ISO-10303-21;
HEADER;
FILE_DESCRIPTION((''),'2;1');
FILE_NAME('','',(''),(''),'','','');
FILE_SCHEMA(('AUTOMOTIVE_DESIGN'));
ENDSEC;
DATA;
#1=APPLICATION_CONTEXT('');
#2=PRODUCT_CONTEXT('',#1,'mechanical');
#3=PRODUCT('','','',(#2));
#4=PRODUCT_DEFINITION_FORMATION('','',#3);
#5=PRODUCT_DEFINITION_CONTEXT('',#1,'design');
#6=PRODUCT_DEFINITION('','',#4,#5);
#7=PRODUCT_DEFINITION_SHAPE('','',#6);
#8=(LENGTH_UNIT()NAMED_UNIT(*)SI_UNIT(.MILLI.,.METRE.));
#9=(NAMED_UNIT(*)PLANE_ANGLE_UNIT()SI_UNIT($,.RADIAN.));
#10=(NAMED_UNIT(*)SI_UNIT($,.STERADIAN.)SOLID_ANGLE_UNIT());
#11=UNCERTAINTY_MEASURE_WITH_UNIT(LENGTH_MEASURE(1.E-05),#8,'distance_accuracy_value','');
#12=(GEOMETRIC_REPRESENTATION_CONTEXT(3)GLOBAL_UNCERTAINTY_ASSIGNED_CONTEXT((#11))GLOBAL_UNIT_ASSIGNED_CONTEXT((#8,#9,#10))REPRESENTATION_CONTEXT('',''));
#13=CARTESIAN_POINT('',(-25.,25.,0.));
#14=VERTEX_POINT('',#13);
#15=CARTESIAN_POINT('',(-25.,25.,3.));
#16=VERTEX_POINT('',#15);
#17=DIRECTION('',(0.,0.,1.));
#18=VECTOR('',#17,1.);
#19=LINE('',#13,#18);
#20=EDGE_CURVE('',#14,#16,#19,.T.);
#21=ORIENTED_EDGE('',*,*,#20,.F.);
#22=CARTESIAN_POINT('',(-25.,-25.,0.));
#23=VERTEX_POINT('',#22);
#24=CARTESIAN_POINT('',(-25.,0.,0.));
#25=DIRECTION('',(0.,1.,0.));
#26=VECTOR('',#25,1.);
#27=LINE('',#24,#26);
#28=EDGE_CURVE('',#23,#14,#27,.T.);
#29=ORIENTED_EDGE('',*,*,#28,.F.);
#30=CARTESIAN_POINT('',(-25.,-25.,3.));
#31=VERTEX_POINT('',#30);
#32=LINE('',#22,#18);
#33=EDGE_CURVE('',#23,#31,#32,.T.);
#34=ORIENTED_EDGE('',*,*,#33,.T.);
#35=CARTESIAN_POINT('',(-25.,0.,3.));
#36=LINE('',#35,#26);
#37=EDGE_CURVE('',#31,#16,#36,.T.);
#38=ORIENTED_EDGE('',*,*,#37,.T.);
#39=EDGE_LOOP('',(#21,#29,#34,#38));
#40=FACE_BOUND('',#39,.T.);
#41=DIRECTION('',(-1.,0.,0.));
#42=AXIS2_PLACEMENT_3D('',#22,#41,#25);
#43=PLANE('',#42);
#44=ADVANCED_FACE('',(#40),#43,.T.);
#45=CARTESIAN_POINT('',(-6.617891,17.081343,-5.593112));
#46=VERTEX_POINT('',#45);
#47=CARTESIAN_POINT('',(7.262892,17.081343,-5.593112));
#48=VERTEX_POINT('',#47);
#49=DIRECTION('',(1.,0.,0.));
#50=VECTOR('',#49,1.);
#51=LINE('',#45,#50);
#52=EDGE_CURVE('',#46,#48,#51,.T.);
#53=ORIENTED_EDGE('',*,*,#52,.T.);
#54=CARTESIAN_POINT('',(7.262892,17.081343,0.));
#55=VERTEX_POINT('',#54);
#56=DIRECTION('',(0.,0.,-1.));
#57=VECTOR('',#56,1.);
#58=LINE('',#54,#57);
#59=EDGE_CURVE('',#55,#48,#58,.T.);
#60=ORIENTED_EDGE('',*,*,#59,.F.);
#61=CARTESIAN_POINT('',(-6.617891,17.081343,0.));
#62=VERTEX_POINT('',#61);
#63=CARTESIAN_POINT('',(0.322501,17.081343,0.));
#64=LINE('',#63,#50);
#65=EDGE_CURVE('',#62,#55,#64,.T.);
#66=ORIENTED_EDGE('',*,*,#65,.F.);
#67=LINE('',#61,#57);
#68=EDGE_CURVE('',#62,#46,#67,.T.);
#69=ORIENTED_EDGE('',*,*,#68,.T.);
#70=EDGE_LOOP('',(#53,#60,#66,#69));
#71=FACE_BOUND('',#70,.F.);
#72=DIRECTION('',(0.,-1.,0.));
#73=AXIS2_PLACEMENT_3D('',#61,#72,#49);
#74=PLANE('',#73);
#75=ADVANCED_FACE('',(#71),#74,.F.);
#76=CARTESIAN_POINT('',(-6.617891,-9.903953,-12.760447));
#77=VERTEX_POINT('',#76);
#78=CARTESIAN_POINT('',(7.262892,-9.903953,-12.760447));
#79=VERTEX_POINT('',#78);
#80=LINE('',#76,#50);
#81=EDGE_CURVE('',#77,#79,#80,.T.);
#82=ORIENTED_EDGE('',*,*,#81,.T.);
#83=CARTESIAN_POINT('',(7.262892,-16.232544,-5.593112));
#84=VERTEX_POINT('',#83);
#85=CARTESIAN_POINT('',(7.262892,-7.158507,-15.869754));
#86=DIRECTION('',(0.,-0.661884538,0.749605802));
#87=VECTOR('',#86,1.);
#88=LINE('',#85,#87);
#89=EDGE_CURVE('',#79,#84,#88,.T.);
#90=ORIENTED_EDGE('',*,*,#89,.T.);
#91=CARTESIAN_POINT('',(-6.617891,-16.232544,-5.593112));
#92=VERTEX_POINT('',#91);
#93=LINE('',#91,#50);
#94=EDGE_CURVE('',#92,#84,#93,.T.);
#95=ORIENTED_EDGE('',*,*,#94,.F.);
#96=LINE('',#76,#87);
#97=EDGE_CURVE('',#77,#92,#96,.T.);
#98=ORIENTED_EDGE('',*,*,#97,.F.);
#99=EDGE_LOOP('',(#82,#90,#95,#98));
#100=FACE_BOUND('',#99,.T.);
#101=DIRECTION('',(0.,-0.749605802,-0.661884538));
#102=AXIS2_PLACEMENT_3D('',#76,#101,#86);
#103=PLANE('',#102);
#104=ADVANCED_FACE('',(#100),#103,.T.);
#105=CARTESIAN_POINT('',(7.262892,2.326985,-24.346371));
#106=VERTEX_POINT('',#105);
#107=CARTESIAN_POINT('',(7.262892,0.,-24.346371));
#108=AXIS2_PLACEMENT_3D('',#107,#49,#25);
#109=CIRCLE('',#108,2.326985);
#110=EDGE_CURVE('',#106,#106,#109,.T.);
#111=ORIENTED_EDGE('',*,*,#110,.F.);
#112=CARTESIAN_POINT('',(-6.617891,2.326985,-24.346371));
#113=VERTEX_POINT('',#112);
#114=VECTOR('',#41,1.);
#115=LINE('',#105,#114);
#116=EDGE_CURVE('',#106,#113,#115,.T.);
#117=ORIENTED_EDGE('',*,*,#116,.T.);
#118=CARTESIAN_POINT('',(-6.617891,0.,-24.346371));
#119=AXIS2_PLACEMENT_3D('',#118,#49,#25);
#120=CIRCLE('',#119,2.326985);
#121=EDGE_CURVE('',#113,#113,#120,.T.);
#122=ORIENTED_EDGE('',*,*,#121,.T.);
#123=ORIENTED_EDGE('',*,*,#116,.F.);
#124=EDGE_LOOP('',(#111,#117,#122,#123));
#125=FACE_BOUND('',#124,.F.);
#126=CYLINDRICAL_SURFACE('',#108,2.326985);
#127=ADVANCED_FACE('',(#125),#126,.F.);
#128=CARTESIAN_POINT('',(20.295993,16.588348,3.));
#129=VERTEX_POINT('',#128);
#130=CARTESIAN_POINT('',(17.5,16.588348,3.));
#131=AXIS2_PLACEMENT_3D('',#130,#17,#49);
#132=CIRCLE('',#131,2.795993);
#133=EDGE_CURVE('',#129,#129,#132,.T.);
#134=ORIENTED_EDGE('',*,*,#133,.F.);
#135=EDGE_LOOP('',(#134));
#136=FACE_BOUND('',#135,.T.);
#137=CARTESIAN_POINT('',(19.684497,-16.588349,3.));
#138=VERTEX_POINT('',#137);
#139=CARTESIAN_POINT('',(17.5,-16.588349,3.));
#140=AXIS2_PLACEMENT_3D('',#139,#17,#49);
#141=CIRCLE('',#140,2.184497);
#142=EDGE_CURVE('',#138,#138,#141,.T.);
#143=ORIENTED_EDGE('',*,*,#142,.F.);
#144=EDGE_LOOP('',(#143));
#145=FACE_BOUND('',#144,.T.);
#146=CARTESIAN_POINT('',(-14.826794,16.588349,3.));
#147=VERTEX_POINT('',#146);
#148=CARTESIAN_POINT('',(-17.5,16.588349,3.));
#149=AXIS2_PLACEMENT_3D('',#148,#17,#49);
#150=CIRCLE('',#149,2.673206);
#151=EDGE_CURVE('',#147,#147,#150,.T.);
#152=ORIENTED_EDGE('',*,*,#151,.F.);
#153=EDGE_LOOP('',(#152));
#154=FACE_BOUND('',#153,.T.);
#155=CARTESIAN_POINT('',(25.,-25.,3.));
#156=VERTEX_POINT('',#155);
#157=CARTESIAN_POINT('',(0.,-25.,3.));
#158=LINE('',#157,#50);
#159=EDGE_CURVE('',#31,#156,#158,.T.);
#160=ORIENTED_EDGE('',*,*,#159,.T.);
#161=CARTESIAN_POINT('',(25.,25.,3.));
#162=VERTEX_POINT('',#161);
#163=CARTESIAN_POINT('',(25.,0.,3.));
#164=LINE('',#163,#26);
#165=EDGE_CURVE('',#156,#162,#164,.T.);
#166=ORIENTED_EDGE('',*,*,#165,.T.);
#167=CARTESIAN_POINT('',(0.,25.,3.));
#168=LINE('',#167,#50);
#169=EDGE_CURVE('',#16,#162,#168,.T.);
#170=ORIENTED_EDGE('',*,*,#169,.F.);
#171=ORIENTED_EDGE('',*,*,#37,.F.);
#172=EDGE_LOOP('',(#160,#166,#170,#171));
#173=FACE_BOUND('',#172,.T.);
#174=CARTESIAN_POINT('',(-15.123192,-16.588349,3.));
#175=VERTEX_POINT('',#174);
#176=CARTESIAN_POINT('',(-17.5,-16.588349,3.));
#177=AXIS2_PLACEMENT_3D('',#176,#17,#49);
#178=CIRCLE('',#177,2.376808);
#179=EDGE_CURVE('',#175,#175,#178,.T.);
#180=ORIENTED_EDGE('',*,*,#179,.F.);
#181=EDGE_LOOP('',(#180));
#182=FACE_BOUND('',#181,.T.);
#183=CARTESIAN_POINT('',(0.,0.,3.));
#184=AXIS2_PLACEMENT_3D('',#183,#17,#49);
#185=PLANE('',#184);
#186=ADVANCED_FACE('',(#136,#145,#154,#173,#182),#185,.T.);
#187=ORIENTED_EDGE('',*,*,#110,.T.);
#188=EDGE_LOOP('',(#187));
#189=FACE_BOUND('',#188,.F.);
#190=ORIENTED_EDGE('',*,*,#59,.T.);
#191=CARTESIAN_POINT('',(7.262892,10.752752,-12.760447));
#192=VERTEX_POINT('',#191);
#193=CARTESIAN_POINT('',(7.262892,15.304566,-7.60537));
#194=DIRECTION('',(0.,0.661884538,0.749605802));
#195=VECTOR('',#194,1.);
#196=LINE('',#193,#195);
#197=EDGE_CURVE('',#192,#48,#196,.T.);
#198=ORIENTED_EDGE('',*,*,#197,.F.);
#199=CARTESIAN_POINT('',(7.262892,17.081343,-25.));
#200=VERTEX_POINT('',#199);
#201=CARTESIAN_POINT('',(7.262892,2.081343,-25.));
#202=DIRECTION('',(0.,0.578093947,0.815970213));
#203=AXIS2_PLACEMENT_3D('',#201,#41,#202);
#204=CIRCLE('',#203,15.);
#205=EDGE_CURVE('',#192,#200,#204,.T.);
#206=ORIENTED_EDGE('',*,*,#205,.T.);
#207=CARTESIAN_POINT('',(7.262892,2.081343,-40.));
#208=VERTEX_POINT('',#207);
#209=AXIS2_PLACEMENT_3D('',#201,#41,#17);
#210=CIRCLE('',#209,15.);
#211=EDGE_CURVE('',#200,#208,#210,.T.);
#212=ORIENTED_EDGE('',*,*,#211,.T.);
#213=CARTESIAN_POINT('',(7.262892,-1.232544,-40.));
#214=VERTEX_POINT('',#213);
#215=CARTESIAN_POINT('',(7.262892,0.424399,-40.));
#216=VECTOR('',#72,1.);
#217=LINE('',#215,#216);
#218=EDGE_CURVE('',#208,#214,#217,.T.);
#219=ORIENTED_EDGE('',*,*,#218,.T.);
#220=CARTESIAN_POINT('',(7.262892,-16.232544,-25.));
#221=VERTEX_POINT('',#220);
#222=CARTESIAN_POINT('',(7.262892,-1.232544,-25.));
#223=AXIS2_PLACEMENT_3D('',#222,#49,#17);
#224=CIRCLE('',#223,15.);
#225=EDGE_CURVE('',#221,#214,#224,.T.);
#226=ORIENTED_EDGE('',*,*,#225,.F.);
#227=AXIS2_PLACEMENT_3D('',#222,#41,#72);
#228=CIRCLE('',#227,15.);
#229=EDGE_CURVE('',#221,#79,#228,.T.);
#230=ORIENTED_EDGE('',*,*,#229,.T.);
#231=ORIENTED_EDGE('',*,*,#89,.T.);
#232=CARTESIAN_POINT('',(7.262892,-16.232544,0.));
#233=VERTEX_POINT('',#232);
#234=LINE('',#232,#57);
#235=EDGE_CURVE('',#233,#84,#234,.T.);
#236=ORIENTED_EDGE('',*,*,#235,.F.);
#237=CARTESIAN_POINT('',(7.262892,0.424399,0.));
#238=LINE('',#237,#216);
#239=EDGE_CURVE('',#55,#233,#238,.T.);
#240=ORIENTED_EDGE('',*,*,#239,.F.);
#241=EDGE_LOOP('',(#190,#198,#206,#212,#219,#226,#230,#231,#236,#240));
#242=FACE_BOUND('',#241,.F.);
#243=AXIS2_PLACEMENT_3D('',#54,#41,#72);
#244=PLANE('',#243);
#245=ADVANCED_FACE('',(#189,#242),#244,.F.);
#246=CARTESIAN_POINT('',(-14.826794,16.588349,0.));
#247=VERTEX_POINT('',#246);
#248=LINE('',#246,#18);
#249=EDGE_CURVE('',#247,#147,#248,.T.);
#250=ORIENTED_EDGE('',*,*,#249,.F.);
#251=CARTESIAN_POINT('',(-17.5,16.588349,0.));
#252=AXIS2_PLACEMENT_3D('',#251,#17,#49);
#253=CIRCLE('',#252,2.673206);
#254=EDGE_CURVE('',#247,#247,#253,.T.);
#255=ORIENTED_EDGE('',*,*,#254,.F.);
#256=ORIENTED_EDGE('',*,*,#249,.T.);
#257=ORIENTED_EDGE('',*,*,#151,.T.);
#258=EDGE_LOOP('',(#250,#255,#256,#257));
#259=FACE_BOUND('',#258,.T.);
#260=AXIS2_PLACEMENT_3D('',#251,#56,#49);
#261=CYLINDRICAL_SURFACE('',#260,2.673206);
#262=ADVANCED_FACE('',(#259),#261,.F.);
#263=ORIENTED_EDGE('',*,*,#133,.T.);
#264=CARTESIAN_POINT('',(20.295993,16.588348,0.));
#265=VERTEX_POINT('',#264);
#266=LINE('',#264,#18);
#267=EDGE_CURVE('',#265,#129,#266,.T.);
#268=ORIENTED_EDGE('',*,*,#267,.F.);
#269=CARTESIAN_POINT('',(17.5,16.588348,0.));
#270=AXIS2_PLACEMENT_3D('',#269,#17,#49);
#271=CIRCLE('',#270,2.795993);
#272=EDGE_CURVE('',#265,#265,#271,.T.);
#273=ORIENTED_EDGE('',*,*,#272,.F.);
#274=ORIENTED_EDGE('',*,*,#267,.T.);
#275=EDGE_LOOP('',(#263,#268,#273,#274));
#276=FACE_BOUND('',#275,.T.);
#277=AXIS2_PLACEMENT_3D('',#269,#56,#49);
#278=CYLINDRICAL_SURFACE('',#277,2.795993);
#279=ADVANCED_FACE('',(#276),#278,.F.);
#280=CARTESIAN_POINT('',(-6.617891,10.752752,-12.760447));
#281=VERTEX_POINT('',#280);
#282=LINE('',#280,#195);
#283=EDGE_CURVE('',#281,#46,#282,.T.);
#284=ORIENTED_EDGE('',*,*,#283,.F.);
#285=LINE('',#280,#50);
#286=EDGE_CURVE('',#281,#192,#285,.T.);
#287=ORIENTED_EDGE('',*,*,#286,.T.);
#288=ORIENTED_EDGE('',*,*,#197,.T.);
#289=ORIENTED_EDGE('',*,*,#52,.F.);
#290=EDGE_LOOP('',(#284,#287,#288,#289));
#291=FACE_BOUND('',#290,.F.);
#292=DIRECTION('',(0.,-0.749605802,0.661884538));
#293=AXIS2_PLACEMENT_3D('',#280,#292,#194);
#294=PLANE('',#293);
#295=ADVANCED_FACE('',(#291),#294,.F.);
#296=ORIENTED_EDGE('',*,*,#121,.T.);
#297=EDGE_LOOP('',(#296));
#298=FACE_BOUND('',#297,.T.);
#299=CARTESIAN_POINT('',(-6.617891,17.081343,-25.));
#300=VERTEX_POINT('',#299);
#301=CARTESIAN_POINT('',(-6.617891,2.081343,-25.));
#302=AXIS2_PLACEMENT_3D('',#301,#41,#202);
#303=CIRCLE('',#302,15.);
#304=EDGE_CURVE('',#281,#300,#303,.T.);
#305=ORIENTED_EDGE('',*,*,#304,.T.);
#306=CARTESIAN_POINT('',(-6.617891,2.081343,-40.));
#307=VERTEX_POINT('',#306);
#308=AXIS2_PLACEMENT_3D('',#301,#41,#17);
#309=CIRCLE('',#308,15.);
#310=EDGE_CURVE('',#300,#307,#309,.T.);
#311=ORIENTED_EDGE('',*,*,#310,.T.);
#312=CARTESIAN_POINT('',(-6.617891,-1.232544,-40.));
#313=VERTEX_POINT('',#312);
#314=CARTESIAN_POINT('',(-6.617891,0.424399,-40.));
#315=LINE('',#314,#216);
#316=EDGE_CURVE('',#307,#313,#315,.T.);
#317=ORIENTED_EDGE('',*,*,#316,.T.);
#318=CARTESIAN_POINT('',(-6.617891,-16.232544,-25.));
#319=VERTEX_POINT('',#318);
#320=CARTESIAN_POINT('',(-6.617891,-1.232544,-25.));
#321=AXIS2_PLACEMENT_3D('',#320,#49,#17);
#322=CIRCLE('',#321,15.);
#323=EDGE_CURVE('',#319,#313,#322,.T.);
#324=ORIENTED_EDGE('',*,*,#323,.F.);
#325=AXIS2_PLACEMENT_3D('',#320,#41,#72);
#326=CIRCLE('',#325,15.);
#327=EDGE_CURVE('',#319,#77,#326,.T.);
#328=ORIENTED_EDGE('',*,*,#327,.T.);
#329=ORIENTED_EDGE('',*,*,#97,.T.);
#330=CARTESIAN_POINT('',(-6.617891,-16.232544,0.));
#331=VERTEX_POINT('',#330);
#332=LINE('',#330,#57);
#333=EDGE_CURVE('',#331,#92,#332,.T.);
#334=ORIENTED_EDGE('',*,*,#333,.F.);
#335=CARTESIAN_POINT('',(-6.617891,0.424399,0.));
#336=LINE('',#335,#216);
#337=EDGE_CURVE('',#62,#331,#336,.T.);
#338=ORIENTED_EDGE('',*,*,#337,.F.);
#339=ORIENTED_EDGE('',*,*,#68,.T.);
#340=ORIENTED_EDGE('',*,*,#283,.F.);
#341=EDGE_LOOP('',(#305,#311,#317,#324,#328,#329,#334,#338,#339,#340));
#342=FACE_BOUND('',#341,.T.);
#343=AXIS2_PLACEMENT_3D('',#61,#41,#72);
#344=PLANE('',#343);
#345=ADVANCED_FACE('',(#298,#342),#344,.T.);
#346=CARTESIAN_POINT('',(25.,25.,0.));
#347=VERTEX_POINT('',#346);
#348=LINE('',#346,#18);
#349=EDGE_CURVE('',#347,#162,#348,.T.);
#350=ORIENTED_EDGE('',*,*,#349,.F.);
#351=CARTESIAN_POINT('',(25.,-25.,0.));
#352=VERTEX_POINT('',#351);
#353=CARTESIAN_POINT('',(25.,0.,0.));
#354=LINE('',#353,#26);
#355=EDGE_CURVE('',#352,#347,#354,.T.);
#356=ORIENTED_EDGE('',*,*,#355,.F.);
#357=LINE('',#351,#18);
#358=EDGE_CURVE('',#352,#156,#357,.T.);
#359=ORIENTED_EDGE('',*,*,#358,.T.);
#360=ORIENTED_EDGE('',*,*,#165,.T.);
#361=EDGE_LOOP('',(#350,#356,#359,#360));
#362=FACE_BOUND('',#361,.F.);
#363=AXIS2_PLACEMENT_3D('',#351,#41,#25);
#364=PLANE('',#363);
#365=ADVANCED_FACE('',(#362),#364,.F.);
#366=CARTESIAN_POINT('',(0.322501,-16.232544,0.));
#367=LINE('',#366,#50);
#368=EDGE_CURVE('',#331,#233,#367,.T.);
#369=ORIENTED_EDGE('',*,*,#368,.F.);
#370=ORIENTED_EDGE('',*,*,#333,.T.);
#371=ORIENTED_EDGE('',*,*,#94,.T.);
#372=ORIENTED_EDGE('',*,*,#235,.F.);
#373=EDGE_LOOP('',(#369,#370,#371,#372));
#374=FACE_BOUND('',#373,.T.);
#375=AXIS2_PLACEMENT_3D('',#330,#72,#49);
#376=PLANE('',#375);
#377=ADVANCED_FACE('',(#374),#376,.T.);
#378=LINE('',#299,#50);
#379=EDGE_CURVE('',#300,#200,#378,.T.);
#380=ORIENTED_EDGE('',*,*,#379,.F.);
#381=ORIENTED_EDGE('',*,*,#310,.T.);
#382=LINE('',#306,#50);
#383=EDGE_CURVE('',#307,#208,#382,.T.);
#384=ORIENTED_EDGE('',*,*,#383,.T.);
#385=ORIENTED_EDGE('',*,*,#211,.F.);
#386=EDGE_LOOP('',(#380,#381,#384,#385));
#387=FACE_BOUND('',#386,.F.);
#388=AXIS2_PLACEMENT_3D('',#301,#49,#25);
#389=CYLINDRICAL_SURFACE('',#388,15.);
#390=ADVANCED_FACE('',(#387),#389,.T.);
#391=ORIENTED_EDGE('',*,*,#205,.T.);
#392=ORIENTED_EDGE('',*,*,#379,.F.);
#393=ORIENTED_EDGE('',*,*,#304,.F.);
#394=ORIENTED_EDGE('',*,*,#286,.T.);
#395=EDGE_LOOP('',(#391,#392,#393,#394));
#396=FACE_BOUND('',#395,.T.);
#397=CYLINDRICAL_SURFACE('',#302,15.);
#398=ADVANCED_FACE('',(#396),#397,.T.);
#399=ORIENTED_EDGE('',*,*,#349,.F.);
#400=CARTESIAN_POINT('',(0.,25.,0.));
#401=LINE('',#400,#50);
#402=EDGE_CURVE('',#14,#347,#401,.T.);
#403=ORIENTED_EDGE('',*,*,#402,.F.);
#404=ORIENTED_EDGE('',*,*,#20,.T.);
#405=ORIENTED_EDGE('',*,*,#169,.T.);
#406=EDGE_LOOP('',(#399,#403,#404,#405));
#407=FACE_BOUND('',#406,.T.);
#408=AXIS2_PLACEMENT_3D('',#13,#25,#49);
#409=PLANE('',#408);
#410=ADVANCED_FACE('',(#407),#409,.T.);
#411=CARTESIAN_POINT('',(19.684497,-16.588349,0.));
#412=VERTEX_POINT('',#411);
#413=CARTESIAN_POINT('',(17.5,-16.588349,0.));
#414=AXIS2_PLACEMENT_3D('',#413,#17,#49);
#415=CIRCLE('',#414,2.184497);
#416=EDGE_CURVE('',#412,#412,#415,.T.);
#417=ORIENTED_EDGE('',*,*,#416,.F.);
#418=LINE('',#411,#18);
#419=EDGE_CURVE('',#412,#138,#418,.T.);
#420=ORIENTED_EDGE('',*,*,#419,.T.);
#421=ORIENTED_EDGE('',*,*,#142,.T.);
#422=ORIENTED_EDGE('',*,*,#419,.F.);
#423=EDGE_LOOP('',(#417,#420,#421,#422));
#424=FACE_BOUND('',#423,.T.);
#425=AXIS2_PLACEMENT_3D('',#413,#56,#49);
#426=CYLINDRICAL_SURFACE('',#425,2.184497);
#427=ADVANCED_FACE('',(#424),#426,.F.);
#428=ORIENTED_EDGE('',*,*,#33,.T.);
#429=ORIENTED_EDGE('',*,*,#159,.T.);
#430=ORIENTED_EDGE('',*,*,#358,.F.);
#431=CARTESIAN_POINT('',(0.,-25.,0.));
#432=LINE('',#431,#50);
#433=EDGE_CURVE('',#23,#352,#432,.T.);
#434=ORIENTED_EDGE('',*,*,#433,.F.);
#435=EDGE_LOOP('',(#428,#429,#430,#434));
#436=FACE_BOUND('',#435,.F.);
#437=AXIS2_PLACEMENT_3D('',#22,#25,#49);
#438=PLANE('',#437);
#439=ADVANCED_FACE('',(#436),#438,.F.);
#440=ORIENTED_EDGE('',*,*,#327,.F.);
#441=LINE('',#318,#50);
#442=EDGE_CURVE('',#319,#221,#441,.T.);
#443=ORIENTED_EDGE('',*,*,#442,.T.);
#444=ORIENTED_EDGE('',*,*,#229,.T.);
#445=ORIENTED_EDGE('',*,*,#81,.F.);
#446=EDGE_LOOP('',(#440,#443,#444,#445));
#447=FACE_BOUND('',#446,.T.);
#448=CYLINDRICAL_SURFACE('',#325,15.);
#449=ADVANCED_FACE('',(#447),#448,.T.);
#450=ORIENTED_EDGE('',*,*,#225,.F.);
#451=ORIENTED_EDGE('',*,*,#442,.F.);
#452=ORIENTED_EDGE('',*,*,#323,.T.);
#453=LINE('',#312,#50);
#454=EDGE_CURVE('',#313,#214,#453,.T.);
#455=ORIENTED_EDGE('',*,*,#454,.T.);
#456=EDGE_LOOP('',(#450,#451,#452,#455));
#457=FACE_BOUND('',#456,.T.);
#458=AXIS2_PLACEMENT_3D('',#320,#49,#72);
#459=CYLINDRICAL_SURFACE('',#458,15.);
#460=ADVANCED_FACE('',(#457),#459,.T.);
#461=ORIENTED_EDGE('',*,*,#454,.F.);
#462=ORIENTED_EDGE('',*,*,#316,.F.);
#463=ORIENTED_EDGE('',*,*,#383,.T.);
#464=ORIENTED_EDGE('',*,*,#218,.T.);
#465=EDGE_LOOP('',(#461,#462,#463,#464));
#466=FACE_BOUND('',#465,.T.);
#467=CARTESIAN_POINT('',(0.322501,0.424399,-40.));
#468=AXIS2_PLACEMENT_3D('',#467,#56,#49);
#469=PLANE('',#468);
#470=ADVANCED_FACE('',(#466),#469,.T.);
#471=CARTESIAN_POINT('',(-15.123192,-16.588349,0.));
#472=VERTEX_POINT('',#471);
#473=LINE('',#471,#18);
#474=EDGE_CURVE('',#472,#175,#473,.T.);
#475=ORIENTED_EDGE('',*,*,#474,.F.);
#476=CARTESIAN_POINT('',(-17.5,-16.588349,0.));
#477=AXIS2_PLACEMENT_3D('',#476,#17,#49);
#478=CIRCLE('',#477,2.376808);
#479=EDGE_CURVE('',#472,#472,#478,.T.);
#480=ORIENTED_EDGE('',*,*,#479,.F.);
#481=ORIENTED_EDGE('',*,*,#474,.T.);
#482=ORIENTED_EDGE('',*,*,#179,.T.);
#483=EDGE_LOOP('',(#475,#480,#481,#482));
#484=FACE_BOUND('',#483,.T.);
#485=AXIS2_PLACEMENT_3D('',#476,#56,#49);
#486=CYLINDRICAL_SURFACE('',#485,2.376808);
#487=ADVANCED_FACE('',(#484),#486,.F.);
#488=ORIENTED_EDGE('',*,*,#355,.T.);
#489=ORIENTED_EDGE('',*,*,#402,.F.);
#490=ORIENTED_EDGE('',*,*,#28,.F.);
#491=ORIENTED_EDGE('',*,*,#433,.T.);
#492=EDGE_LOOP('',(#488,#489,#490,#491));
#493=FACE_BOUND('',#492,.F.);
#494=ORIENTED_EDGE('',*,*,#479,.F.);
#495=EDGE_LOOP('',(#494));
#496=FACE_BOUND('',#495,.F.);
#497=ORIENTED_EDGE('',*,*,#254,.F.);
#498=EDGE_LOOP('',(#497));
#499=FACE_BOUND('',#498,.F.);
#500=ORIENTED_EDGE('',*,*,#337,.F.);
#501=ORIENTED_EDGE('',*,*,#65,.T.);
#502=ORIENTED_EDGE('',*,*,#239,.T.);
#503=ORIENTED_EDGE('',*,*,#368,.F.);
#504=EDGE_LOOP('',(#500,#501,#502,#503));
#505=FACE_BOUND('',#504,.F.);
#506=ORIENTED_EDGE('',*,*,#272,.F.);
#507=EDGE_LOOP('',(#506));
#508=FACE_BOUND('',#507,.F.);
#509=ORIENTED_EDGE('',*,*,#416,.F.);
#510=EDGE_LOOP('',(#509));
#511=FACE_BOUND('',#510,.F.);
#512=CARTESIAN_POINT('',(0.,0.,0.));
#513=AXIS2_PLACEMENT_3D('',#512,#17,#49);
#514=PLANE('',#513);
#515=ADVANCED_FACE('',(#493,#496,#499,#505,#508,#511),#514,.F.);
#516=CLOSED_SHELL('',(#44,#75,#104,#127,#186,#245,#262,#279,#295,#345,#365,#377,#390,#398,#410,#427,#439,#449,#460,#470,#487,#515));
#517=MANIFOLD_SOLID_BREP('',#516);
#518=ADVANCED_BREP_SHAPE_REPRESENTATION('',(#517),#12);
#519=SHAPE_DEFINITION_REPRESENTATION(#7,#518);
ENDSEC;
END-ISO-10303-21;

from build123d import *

# Parameters (mm, degrees)
SKETCH_W        = 50
SKETCH_H        = 50
SKETCH_R        = 2.673206
SKETCH_R_2      = 2.795993
SKETCH_R_3      = 2.184497
SKETCH_R_4      = 2.376808
PAD_DEPTH       = 3
SKETCH001_W     = 13.880783
SKETCH001_H     = 33.313887
PAD001_DEPTH    = 40
FILLET_R        = 15
POCKET_DEPTH    = 31.618891
SKETCH003_R     = 2.326985
POCKET001_DEPTH = 32.263892


with BuildPart() as part:
    # Sketch → Pad (new body)
    with BuildSketch(Plane.XY):
        Rectangle(SKETCH_W, SKETCH_H)
        with Locations((-17.5, 16.5883488719)):
            Circle(SKETCH_R, mode=Mode.SUBTRACT)
        with Locations((17.5, 16.588348)):
            Circle(SKETCH_R_2, mode=Mode.SUBTRACT)
        with Locations((17.5, -16.5883488719)):
            Circle(SKETCH_R_3, mode=Mode.SUBTRACT)
        with Locations((-17.5, -16.5883488719)):
            Circle(SKETCH_R_4, mode=Mode.SUBTRACT)
    extrude(amount=PAD_DEPTH)

    # Sketch001 (on Face9 of Pad) → Pad001 (join)
    with BuildSketch(Plane(origin=(0, 0, 0), x_dir=(1, 0, 0), z_dir=(0, 0, -1))):
        with Locations((0.3225005, -0.4243995)):
            Rectangle(SKETCH001_W, SKETCH001_H)
    extrude(amount=PAD001_DEPTH)

    # Fillet
    fillet_edges = [part.edges().sort_by_distance(p)[0] for p in [
        (0.3225, -16.232544, -40),
        (0.322501, 17.081343, -40),
    ]]
    fillet(fillet_edges, radius=FILLET_R)

    # Sketch002 (on Face1 of Fillet) → Pocket (cut, through all)
    with BuildSketch(Plane(origin=(-6.617891, 0, 0), x_dir=(0, -1, 0), z_dir=(-1, 0, 0))):
        with BuildLine():
            ThreePointArc((16.232544, -25), (14.5567914087, -18.1105565543), (9.9039532011, -12.7604468028))
            Line((9.9039532011, -12.7604468028), (16.232544, -5.5931115513))
            Line((16.232544, -5.5931115513), (16.232544, -25))
        make_face()
        with BuildLine():
            ThreePointArc((-10.7527522011, -12.7604468028), (-15.4055904087, -18.1105565543), (-17.081343, -25))
            Line((-17.081343, -5.5931115513), (-17.081343, -25))
            Line((-10.7527522011, -12.7604468028), (-17.081343, -5.5931115513))
        make_face()
    extrude(amount=-POCKET_DEPTH, mode=Mode.SUBTRACT)

    # Sketch003 (on Face18 of Pocket) → Pocket001 (cut, through all)
    with BuildSketch(Plane.YZ.offset(7.262892)):
        with Locations((0, -24.346371)):
            Circle(SKETCH003_R)
    extrude(amount=-POCKET001_DEPTH, mode=Mode.SUBTRACT)


solid = part.part
